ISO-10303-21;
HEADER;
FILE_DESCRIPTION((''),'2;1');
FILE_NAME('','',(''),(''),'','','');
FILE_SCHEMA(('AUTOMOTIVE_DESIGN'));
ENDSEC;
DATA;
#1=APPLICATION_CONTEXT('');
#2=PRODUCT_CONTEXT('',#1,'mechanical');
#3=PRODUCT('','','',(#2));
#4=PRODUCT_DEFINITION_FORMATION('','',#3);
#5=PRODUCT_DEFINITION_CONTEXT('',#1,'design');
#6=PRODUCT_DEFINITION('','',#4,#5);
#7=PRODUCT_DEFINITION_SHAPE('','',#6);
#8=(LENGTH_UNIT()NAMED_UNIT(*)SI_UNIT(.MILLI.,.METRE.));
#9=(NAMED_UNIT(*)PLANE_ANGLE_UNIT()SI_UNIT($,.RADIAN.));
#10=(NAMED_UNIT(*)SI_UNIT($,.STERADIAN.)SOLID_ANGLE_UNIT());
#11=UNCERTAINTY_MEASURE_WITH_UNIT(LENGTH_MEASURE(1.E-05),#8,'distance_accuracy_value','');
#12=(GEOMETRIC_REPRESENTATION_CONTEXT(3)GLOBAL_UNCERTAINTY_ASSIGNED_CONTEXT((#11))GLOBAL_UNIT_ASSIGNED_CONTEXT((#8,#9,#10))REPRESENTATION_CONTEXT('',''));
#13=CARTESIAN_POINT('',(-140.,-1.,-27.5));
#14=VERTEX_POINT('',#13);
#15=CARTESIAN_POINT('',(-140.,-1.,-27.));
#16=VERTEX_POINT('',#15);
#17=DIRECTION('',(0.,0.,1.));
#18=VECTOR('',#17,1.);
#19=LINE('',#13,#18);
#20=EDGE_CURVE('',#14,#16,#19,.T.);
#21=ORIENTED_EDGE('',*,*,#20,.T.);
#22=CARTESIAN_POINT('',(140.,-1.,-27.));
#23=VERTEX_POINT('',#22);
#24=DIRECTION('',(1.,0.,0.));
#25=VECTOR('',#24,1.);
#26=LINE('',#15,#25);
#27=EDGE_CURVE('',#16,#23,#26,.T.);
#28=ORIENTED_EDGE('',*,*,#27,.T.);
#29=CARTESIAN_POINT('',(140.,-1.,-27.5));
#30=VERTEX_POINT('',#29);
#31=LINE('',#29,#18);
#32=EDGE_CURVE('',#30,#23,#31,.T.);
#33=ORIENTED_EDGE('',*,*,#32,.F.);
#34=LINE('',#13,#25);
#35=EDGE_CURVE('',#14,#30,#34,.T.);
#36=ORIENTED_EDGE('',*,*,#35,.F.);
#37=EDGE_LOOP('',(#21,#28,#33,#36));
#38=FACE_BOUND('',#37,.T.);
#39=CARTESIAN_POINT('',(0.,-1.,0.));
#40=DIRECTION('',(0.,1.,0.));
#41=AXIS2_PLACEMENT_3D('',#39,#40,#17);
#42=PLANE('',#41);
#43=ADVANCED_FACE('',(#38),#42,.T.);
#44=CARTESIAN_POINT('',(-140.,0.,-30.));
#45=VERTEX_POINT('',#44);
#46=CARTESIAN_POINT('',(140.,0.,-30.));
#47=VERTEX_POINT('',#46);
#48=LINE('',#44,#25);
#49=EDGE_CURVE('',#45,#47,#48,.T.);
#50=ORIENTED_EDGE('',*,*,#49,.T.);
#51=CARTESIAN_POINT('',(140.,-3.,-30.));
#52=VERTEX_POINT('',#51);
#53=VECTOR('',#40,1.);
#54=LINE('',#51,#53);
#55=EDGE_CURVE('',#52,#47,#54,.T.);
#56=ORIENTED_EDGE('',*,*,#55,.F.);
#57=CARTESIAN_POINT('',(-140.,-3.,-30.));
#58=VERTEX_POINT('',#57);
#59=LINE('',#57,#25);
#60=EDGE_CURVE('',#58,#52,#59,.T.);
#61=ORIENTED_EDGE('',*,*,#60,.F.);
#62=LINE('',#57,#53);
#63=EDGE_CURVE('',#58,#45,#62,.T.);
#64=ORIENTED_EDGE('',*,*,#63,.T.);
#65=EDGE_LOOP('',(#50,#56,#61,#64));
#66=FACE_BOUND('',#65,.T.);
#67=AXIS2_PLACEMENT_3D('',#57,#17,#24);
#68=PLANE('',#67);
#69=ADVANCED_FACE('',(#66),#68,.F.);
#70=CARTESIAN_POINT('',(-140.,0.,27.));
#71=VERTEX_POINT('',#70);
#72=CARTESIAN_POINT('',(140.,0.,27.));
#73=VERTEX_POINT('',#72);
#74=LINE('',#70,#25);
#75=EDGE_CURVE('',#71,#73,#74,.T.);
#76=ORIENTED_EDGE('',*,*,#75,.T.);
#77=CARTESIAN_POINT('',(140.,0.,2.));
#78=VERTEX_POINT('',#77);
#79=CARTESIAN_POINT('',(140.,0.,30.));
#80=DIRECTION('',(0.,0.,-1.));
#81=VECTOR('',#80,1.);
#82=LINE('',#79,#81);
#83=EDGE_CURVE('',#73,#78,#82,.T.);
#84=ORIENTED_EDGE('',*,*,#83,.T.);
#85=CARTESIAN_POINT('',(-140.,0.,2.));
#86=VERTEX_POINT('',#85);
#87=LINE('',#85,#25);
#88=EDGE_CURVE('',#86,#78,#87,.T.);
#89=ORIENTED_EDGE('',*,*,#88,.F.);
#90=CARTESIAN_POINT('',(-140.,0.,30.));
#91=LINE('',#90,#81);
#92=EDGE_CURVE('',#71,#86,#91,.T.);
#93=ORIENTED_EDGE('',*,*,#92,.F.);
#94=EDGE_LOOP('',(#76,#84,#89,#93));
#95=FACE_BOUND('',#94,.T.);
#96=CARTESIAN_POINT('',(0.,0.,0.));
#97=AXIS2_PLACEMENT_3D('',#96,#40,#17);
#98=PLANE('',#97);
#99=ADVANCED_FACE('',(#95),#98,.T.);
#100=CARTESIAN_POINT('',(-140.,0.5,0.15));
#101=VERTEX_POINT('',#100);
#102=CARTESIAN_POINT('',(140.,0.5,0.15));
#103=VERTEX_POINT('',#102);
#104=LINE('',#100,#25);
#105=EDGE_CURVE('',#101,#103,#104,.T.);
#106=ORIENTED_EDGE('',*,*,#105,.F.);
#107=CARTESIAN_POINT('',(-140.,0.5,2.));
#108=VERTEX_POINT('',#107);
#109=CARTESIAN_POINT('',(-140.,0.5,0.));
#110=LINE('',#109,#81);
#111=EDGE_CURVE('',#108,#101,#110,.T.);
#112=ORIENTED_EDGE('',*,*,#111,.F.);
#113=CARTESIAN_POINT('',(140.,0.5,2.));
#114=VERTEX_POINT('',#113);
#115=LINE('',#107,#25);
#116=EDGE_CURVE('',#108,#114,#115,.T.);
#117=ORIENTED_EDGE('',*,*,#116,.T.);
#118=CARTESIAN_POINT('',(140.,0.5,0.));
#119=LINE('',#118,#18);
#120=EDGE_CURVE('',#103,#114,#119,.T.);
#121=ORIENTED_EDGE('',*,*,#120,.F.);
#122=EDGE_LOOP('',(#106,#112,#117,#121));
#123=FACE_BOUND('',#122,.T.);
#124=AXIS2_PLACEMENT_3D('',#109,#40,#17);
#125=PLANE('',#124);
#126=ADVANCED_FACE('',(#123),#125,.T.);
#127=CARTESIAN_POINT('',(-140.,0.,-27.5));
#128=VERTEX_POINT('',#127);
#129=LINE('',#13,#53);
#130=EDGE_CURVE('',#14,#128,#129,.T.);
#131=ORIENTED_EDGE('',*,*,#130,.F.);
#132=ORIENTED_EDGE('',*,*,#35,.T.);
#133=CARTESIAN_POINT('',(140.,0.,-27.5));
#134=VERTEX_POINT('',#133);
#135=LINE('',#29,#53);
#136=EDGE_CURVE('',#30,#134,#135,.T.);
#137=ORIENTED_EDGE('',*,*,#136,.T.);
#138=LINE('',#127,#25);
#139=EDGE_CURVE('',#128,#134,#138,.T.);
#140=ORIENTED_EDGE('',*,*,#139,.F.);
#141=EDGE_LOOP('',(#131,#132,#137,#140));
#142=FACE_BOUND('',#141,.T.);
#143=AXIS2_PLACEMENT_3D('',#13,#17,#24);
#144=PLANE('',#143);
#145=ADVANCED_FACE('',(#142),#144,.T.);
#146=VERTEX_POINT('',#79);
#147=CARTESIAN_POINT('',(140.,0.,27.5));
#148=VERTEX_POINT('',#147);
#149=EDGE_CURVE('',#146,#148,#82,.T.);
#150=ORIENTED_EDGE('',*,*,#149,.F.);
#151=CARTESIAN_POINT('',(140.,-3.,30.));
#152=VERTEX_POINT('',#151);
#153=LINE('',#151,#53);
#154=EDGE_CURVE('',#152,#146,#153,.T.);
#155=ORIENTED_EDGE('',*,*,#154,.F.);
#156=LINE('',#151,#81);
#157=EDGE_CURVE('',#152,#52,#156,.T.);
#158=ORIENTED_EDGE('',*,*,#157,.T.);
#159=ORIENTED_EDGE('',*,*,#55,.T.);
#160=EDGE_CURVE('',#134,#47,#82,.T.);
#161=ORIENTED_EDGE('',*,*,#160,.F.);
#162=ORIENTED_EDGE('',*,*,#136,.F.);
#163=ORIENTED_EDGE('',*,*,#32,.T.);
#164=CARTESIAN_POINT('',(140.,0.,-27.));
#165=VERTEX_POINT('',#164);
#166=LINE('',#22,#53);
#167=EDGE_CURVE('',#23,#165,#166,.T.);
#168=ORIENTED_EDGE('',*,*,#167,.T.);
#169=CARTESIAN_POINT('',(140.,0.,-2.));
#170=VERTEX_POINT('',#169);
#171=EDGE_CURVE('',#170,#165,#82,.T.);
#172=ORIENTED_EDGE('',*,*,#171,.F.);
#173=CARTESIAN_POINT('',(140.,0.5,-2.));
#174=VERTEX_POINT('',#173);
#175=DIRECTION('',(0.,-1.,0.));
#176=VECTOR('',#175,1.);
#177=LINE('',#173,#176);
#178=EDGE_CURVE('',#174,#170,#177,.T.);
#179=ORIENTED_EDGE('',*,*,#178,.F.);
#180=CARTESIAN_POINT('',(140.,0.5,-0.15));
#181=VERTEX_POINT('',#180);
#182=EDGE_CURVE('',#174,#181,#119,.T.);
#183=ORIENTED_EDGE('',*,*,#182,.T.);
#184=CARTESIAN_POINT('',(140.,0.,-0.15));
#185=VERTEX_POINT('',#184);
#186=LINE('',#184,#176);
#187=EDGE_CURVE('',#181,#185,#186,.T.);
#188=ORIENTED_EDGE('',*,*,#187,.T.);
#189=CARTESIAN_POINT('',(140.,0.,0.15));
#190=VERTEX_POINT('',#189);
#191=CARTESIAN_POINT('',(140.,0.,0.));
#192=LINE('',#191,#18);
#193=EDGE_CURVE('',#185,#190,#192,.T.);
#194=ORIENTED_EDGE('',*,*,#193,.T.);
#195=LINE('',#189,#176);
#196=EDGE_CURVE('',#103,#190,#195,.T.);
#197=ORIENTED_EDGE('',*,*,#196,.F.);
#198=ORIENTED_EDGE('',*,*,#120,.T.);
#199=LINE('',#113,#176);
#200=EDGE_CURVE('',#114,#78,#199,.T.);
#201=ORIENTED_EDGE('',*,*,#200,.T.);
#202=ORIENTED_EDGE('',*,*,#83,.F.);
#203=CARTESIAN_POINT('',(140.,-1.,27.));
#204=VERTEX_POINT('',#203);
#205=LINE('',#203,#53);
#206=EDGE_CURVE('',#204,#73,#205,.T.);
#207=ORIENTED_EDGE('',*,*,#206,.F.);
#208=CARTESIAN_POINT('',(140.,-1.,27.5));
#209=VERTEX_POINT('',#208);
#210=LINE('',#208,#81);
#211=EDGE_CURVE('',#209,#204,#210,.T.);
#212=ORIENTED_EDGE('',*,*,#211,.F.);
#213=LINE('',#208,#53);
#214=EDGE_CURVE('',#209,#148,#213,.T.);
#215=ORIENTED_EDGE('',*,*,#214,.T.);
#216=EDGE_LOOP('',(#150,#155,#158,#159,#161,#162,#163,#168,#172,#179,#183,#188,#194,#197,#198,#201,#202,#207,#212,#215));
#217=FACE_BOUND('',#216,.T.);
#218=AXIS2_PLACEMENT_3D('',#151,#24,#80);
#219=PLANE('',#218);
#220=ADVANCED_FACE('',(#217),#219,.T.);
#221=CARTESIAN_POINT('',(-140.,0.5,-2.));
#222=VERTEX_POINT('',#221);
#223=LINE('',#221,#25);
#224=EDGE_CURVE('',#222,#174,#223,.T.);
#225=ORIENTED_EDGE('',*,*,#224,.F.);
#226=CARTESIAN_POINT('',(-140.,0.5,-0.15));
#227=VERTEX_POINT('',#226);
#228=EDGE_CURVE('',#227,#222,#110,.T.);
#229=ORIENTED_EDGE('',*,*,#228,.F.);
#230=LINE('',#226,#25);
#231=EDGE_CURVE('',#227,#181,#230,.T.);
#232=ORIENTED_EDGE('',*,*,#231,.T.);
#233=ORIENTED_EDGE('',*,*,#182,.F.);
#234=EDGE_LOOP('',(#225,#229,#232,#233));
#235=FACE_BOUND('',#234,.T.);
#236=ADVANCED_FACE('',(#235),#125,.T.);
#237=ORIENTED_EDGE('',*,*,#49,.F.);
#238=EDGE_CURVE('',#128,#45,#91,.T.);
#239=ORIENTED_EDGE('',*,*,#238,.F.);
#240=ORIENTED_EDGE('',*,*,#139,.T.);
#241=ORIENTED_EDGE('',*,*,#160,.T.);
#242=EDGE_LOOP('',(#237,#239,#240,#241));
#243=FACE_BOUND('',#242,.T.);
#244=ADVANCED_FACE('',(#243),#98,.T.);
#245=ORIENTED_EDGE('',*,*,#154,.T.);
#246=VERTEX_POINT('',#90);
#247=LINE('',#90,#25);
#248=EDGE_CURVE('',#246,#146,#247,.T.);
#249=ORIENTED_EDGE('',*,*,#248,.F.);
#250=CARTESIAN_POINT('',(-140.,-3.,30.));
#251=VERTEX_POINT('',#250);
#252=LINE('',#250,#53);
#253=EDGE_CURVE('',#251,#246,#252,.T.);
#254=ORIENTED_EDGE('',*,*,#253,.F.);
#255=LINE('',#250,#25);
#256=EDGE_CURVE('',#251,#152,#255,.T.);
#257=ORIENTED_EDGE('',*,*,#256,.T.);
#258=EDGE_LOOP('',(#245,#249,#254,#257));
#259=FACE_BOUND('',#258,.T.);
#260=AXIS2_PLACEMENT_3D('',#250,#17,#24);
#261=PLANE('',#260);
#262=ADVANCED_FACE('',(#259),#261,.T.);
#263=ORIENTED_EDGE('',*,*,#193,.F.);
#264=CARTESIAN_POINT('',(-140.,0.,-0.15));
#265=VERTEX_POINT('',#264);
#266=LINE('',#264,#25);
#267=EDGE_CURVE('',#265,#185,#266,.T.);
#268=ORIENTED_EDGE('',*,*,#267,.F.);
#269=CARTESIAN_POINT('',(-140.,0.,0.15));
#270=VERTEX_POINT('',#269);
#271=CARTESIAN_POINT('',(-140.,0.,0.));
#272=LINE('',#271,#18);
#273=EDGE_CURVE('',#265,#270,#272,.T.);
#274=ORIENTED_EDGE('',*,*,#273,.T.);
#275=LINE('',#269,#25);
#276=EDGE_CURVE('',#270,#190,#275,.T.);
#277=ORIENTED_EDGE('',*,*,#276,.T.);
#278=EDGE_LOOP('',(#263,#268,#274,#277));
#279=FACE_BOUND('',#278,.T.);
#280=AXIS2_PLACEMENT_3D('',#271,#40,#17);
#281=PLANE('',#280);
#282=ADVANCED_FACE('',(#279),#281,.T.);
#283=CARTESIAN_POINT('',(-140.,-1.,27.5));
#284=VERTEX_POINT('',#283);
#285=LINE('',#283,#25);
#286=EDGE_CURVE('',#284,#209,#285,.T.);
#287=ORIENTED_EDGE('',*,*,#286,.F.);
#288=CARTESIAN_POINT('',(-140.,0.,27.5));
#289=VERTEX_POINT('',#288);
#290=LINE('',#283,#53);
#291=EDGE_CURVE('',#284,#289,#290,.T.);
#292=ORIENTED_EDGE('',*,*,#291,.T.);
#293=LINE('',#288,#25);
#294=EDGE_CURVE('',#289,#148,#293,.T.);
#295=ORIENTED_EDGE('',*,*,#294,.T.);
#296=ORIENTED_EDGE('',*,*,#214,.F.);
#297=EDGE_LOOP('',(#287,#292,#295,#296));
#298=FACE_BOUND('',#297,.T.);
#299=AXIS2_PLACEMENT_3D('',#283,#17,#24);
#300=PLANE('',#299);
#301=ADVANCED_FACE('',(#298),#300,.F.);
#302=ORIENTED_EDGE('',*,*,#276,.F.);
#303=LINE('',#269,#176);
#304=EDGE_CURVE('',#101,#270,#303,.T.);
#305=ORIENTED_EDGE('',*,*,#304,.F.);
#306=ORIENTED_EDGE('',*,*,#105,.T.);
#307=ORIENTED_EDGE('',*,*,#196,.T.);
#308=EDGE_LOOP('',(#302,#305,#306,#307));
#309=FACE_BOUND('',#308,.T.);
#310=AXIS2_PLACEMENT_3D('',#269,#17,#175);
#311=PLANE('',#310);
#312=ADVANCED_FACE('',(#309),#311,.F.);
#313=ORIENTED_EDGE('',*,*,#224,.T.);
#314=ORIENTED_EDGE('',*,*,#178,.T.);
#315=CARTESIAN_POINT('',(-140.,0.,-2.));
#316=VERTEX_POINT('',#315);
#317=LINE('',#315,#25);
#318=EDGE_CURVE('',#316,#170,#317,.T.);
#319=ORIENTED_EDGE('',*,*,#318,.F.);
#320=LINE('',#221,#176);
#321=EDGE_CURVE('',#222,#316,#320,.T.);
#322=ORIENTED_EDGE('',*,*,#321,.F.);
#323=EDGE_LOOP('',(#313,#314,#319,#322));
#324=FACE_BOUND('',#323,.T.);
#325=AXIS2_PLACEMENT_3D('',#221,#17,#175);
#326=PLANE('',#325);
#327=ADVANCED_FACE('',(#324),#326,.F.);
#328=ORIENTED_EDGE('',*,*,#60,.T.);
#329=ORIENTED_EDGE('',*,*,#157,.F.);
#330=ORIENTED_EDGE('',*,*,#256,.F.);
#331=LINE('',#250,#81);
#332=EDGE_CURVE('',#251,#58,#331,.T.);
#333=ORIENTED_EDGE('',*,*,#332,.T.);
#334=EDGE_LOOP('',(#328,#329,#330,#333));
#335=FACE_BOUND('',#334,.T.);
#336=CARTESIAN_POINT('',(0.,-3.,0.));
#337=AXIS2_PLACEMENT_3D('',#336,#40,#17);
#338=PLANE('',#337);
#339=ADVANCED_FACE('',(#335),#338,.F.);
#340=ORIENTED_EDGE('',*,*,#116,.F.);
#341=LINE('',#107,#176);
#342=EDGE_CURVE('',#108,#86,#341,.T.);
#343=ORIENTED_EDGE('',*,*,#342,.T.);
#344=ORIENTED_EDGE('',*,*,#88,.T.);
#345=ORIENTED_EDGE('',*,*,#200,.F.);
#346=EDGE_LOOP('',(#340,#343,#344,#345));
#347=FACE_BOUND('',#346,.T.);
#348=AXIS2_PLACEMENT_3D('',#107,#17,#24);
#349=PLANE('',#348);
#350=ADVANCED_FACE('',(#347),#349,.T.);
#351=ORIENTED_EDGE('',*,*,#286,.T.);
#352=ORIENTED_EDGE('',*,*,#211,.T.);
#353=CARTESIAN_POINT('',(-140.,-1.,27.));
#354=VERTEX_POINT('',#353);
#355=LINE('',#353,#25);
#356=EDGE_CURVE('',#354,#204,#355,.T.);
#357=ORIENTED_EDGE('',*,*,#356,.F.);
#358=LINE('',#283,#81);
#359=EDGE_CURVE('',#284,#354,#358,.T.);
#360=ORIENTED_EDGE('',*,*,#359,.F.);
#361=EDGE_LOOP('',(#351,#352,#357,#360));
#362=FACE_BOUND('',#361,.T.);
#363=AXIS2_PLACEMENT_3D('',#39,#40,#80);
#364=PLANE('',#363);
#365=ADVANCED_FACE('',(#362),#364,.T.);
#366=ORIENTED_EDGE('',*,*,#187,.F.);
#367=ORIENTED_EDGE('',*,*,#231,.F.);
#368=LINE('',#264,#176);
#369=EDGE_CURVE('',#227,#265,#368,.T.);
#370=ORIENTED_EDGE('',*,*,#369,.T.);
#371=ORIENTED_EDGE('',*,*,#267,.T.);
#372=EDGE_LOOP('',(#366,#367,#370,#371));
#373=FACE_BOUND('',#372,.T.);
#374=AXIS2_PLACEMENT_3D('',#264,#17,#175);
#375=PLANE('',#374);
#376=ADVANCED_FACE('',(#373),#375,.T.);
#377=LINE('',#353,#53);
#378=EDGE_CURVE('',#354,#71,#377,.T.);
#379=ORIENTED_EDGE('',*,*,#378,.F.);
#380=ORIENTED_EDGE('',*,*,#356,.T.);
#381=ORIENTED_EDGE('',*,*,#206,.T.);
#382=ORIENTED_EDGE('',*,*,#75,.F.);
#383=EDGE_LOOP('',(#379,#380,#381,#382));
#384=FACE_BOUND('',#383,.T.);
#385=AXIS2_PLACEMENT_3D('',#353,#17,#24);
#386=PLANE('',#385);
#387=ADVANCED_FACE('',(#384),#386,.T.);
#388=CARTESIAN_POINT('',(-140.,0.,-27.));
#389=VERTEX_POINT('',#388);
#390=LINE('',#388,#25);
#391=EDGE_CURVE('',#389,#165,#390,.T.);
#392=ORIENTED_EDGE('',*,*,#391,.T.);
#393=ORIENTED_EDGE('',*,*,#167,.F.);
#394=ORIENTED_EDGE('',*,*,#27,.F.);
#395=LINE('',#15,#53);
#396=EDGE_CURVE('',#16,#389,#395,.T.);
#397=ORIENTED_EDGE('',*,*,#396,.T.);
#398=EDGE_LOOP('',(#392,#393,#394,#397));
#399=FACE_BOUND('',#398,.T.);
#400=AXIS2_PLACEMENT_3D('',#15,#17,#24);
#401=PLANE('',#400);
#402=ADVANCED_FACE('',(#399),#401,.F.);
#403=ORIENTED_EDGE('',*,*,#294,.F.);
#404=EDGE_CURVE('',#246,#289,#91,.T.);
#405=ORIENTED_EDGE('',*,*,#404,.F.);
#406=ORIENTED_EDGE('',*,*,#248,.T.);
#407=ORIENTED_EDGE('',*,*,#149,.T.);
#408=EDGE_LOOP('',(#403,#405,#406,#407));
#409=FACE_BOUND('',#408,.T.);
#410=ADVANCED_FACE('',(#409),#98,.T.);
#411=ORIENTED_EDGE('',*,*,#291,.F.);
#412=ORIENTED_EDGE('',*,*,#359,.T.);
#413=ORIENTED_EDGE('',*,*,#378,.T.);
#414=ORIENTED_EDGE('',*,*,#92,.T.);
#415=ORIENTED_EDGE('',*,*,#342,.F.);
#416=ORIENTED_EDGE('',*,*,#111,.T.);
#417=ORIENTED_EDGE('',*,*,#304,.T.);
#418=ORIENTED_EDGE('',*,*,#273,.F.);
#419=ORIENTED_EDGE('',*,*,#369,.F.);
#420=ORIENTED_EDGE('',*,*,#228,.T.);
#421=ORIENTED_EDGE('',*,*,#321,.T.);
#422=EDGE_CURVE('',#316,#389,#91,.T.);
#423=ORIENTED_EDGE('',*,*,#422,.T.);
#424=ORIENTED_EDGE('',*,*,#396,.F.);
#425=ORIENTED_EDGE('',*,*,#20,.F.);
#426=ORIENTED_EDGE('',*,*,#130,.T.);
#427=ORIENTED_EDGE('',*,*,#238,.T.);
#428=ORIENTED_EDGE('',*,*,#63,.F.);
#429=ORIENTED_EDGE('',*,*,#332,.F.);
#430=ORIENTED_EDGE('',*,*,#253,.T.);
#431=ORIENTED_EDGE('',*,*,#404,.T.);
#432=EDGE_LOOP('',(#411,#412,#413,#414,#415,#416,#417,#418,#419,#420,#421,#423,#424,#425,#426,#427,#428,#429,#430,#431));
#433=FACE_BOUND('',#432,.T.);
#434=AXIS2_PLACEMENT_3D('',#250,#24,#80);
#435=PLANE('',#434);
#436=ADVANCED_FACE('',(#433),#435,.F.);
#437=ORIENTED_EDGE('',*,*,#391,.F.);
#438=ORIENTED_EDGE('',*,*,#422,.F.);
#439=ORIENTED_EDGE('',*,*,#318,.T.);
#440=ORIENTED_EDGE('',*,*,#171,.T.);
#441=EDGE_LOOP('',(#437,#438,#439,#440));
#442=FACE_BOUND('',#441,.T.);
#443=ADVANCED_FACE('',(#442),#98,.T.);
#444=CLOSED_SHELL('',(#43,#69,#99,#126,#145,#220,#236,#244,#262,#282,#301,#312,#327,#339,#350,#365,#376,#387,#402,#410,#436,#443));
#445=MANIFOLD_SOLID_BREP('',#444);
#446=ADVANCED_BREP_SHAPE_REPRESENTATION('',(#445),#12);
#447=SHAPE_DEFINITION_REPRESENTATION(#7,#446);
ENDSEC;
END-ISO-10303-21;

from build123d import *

# Parameters (mm, degrees)
SKETCH1_W           = 280
SKETCH1_H           = 60
BOSS_EXTRUDE1_DEPTH = 3
SKETCH1_9_W         = 280
SKETCH1_9_H         = 0.5
CUT_EXTRUDE1_DEPTH  = 1
BOSS_EXTRUDE2_DEPTH = 280
SKETCH3_W           = 0.3
SKETCH3_H           = 0.5
CUT_EXTRUDE5_DEPTH  = 280


with BuildPart() as part:
    # Sketch1 → Boss-Extrude1 (new body)
    with BuildSketch(Plane(origin=(0, 0, 0), x_dir=(1, 0, 0), z_dir=(0, 1, 0))):
        Rectangle(SKETCH1_W, SKETCH1_H)
    extrude(amount=-BOSS_EXTRUDE1_DEPTH)

    # Sketch1<9> → Cut-Extrude1 (cut)
    with BuildSketch(Plane(origin=(0, 0, 0), x_dir=(1, 0, 0), z_dir=(0, 1, 0))):
        with Locations((0, 27.25)):
            Rectangle(SKETCH1_9_W, SKETCH1_9_H)
    cut_extrude1 = extrude(amount=-CUT_EXTRUDE1_DEPTH, mode=Mode.SUBTRACT)

    # Mirror1: Cut-Extrude1 across plane
    add(cut_extrude1.mirror(Plane.XY), mode=Mode.SUBTRACT)

    # Sketch2 → Boss-Extrude2 (add)
    with BuildSketch(Plane(origin=(140, 0, 0), x_dir=(0, 0, -1), z_dir=(1, 0, 0))):
        Polygon((0, 0.5), (2, 0.5), (2, 0), (-2, 0), (-2, 0.5), align=None)
    extrude(amount=-BOSS_EXTRUDE2_DEPTH)

    # Sketch3 → Cut-Extrude5 (cut)
    with BuildSketch(Plane(origin=(140, 0, 0), x_dir=(0, 0, -1), z_dir=(1, 0, 0))):
        with Locations((0, 0.25)):
            Rectangle(SKETCH3_W, SKETCH3_H)
    extrude(amount=-CUT_EXTRUDE5_DEPTH, mode=Mode.SUBTRACT)


solid = part.part
